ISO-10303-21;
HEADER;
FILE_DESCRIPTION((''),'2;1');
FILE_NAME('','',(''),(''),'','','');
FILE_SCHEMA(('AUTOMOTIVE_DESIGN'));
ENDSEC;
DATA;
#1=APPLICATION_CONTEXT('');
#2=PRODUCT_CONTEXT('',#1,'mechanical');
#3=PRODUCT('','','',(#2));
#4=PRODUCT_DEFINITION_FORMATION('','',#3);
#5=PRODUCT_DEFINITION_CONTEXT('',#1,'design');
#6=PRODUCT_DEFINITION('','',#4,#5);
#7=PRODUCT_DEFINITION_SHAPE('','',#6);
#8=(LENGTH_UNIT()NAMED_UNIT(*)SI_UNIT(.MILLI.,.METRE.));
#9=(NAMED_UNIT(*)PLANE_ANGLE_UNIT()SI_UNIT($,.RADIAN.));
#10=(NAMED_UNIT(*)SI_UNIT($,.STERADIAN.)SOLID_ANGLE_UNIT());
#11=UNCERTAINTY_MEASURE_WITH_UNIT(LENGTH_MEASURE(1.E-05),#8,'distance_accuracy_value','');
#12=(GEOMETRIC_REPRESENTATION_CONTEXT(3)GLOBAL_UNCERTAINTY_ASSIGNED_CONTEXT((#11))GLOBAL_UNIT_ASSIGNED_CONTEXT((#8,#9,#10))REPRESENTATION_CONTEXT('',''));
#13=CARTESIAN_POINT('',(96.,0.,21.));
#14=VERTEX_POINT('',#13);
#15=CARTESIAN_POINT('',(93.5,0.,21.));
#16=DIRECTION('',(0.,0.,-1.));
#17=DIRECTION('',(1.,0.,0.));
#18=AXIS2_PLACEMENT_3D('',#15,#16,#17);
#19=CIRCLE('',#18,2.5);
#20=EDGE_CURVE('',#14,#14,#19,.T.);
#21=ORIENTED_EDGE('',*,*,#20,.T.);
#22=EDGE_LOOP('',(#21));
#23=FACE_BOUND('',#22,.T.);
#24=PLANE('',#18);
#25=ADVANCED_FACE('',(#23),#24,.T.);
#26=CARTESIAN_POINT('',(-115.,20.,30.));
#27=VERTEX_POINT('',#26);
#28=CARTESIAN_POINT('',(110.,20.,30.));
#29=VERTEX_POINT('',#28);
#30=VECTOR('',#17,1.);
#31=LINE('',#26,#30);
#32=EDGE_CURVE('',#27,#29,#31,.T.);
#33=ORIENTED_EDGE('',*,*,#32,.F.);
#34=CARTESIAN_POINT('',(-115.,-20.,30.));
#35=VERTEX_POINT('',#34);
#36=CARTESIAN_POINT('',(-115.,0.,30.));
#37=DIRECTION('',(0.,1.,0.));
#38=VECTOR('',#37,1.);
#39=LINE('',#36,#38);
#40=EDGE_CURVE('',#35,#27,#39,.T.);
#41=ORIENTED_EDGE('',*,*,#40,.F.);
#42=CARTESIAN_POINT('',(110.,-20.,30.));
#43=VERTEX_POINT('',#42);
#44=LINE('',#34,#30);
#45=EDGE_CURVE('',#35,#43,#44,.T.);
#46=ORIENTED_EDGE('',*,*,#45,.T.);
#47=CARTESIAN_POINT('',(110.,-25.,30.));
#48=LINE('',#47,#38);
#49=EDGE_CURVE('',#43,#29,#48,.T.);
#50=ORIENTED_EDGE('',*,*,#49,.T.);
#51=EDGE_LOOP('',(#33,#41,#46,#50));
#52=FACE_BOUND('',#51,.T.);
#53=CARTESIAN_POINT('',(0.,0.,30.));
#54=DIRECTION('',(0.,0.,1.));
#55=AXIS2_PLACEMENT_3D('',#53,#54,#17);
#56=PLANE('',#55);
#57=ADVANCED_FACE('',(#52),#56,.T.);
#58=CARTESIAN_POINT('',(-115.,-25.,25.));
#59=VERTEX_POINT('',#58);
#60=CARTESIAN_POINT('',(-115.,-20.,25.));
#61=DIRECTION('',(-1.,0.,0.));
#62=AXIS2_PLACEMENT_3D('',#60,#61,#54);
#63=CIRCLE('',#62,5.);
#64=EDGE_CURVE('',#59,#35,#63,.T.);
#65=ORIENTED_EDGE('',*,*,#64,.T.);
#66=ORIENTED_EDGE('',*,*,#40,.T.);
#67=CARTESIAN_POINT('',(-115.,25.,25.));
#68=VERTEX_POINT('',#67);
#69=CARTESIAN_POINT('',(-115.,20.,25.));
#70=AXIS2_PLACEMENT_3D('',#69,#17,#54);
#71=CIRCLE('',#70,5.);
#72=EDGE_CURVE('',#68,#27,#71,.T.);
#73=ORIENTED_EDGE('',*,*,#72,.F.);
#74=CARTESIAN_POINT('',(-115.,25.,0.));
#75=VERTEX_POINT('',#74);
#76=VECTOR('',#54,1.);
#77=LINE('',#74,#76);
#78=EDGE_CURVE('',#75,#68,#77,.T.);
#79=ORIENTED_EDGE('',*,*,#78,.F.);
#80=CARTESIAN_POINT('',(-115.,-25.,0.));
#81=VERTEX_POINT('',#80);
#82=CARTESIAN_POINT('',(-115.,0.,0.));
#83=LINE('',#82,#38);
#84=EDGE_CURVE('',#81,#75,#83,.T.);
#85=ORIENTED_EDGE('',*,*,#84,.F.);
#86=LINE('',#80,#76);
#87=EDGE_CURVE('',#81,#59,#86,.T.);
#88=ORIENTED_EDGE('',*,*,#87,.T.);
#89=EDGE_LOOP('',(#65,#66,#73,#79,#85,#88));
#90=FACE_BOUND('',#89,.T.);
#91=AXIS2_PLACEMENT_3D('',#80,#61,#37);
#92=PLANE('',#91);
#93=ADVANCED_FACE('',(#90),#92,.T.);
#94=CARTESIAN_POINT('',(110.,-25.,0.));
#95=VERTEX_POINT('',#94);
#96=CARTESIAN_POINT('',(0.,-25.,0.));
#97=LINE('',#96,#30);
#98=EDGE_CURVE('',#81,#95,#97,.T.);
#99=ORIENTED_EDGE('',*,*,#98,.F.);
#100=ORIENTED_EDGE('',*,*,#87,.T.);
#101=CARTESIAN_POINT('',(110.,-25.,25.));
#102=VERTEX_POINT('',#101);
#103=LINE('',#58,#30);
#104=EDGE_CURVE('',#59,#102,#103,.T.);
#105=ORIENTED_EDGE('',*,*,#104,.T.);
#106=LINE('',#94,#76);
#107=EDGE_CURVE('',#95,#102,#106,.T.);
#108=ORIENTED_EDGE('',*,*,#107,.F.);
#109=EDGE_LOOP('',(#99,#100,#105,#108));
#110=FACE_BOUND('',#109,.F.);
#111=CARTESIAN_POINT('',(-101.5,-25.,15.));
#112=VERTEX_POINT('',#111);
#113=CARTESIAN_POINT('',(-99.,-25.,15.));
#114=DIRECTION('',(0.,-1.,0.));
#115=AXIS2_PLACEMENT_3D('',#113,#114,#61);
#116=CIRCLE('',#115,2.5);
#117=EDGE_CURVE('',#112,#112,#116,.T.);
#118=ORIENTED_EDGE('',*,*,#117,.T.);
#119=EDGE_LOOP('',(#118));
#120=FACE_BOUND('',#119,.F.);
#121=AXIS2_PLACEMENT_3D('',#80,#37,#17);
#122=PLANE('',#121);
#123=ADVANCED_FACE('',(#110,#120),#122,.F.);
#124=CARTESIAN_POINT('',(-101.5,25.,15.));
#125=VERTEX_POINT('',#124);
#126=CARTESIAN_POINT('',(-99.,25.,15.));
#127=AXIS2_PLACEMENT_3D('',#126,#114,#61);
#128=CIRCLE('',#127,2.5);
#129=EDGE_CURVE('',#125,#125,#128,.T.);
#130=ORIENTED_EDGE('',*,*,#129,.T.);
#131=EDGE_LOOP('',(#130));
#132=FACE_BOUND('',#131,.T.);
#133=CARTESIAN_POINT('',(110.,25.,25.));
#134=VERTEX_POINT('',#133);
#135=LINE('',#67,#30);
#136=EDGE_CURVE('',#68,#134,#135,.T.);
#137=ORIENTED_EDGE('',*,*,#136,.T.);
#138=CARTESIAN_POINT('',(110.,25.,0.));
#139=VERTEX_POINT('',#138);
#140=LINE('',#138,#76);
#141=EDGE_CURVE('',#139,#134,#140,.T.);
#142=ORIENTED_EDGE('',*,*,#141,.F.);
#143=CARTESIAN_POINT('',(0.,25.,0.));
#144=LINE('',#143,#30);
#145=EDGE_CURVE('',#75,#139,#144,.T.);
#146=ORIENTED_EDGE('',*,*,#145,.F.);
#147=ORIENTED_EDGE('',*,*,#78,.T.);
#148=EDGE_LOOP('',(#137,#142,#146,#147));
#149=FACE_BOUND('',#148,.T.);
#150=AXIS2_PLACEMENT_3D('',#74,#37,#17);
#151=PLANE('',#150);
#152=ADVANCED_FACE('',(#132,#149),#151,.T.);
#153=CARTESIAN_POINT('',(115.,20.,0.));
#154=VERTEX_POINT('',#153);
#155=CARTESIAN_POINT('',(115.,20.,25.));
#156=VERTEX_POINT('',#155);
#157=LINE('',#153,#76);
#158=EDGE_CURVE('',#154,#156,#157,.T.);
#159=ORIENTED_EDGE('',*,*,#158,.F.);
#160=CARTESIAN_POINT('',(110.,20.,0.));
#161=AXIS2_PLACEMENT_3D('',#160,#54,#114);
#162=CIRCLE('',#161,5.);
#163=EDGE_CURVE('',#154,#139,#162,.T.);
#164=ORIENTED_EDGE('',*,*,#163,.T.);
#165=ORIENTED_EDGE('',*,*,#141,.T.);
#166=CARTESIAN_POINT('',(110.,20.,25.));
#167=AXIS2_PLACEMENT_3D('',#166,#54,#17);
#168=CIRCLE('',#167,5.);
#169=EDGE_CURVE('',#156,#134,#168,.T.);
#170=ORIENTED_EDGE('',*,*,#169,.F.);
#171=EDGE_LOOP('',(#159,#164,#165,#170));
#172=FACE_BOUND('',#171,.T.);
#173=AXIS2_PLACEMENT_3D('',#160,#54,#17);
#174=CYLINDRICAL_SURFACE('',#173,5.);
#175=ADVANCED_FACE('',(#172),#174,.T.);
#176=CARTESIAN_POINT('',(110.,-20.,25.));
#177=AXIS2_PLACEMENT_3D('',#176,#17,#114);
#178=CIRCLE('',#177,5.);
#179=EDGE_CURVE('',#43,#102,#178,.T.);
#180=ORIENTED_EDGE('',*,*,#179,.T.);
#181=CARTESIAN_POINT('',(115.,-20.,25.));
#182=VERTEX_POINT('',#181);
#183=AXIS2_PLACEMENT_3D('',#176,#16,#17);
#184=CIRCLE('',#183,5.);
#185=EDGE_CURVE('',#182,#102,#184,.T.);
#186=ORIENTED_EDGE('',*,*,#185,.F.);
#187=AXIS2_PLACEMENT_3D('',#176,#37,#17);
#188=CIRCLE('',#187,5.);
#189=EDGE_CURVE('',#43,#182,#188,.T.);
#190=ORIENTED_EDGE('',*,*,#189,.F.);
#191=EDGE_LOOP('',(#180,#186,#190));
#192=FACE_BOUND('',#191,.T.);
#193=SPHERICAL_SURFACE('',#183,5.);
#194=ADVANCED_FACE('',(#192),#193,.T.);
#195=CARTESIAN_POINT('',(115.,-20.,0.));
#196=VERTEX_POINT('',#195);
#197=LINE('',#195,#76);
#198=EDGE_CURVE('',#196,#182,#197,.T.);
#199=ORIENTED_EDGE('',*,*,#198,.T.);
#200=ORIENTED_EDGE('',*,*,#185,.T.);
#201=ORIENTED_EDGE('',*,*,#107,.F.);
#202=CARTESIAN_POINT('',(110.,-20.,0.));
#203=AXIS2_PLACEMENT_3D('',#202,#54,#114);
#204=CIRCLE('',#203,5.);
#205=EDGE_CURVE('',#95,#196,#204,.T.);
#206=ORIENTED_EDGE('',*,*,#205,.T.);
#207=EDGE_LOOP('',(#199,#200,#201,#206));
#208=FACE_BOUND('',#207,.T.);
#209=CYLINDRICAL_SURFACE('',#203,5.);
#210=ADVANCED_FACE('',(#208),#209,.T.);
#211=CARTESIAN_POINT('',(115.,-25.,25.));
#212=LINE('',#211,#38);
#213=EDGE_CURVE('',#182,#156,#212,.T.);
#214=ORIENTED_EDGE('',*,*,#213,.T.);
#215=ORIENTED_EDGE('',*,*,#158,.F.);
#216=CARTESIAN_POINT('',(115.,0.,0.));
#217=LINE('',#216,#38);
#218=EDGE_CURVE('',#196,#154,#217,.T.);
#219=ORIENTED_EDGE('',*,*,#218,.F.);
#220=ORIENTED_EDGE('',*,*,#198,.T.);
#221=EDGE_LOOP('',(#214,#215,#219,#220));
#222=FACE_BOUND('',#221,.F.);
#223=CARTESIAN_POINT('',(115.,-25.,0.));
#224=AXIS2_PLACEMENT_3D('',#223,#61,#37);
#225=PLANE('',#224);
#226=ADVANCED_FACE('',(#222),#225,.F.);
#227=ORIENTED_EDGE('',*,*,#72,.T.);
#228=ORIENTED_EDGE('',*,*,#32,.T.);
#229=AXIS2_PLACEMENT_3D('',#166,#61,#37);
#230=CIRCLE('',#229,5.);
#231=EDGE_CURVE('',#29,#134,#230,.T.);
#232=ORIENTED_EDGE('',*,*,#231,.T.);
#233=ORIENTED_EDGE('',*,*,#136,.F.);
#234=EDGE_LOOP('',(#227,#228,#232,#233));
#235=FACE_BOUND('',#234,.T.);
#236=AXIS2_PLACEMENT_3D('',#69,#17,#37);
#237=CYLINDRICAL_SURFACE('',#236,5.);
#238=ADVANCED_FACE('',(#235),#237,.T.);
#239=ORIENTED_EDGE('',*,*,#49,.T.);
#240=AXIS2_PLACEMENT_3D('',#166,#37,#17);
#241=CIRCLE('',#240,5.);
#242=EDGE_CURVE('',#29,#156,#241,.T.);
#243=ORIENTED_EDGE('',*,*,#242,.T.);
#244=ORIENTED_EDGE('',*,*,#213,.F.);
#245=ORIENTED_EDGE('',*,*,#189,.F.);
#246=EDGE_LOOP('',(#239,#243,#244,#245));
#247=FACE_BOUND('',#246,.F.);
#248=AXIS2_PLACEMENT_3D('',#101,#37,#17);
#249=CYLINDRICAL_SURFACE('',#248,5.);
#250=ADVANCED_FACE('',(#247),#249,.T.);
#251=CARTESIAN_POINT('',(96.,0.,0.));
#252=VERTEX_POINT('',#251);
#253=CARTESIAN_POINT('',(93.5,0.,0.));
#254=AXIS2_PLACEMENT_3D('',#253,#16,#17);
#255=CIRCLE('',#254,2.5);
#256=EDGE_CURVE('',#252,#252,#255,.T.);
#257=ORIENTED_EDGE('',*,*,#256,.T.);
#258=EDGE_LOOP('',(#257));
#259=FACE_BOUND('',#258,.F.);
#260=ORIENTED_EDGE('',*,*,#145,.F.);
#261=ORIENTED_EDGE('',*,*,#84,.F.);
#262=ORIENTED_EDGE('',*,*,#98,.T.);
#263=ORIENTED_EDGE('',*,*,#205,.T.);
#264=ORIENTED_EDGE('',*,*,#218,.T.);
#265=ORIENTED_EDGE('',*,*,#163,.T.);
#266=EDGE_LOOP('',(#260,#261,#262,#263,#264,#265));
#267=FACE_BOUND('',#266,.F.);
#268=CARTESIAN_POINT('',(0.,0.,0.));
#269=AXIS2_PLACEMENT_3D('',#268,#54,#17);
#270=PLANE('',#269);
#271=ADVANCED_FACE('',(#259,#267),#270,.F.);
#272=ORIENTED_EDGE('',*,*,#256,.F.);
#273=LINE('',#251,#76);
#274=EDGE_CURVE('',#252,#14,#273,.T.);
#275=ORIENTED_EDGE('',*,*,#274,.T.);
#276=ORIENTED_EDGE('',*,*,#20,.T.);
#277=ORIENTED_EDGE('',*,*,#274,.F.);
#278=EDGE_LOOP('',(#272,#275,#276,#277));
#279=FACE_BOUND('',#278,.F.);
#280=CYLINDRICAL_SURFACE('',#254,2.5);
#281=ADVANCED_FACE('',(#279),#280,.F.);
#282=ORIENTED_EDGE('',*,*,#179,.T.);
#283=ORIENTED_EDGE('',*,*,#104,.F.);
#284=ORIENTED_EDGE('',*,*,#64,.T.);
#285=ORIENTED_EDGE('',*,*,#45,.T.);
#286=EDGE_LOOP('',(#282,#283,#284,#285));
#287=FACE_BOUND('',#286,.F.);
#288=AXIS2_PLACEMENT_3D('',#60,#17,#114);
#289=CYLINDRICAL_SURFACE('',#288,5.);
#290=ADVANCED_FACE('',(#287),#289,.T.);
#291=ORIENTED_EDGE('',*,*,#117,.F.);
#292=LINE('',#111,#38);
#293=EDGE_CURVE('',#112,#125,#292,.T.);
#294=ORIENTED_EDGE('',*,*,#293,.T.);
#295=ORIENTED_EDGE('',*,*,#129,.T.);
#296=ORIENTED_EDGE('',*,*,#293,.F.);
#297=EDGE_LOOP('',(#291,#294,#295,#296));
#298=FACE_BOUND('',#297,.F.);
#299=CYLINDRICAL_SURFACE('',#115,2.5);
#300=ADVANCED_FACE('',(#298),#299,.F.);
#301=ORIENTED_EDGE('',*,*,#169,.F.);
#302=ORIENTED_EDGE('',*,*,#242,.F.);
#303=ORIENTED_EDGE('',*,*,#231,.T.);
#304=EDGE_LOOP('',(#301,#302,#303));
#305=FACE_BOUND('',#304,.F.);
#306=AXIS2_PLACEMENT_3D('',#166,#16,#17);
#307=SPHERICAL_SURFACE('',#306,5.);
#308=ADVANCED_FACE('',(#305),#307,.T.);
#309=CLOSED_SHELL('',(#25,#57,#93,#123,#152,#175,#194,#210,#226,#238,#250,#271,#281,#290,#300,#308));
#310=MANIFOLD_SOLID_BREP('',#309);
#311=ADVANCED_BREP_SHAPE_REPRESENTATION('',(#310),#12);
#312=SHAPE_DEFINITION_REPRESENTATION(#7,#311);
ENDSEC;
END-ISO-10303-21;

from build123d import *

# Parameters (mm, degrees)
F0_W     = 230
F0_H     = 50
F1_DEPTH = 30
F2_R     = 5
F4_DEPTH = 76.7
F5_R     = 2.5
F6_DEPTH = 21


with BuildPart() as f1:
    # F0 (on Top) → F1 (new body)
    with BuildSketch(Plane.XY):
        Rectangle(F0_W, F0_H)
    extrude(amount=F1_DEPTH)

    # F2
    f2_edges = [f1.edges().sort_by_distance(p)[0] for p in [
        (115, -25, 15),
        (115, 25, 15),
        (115, 0, 30),
        (0, 25, 30),
        (0, -25, 30),
    ]]
    fillet(f2_edges, radius=F2_R)

    # F3 (on face) → F4 (cut)
    with BuildSketch(Plane.XZ.offset(25)):
        with BuildLine():
            ThreePointArc((-96.5, 15), (-99, 17.5), (-101.5, 15))
            ThreePointArc((-101.5, 15), (-99, 12.5), (-96.5, 15))
        make_face()
    extrude(amount=-F4_DEPTH, mode=Mode.SUBTRACT)

    # F5 (on face) → F6 (cut)
    with BuildSketch(Plane(origin=(0, 0, 0), x_dir=(1, 0, 0), z_dir=(0, 0, -1))):
        with Locations((93.5, 0)):
            Circle(F5_R)
    extrude(amount=-F6_DEPTH, mode=Mode.SUBTRACT)


solid = f1.part
